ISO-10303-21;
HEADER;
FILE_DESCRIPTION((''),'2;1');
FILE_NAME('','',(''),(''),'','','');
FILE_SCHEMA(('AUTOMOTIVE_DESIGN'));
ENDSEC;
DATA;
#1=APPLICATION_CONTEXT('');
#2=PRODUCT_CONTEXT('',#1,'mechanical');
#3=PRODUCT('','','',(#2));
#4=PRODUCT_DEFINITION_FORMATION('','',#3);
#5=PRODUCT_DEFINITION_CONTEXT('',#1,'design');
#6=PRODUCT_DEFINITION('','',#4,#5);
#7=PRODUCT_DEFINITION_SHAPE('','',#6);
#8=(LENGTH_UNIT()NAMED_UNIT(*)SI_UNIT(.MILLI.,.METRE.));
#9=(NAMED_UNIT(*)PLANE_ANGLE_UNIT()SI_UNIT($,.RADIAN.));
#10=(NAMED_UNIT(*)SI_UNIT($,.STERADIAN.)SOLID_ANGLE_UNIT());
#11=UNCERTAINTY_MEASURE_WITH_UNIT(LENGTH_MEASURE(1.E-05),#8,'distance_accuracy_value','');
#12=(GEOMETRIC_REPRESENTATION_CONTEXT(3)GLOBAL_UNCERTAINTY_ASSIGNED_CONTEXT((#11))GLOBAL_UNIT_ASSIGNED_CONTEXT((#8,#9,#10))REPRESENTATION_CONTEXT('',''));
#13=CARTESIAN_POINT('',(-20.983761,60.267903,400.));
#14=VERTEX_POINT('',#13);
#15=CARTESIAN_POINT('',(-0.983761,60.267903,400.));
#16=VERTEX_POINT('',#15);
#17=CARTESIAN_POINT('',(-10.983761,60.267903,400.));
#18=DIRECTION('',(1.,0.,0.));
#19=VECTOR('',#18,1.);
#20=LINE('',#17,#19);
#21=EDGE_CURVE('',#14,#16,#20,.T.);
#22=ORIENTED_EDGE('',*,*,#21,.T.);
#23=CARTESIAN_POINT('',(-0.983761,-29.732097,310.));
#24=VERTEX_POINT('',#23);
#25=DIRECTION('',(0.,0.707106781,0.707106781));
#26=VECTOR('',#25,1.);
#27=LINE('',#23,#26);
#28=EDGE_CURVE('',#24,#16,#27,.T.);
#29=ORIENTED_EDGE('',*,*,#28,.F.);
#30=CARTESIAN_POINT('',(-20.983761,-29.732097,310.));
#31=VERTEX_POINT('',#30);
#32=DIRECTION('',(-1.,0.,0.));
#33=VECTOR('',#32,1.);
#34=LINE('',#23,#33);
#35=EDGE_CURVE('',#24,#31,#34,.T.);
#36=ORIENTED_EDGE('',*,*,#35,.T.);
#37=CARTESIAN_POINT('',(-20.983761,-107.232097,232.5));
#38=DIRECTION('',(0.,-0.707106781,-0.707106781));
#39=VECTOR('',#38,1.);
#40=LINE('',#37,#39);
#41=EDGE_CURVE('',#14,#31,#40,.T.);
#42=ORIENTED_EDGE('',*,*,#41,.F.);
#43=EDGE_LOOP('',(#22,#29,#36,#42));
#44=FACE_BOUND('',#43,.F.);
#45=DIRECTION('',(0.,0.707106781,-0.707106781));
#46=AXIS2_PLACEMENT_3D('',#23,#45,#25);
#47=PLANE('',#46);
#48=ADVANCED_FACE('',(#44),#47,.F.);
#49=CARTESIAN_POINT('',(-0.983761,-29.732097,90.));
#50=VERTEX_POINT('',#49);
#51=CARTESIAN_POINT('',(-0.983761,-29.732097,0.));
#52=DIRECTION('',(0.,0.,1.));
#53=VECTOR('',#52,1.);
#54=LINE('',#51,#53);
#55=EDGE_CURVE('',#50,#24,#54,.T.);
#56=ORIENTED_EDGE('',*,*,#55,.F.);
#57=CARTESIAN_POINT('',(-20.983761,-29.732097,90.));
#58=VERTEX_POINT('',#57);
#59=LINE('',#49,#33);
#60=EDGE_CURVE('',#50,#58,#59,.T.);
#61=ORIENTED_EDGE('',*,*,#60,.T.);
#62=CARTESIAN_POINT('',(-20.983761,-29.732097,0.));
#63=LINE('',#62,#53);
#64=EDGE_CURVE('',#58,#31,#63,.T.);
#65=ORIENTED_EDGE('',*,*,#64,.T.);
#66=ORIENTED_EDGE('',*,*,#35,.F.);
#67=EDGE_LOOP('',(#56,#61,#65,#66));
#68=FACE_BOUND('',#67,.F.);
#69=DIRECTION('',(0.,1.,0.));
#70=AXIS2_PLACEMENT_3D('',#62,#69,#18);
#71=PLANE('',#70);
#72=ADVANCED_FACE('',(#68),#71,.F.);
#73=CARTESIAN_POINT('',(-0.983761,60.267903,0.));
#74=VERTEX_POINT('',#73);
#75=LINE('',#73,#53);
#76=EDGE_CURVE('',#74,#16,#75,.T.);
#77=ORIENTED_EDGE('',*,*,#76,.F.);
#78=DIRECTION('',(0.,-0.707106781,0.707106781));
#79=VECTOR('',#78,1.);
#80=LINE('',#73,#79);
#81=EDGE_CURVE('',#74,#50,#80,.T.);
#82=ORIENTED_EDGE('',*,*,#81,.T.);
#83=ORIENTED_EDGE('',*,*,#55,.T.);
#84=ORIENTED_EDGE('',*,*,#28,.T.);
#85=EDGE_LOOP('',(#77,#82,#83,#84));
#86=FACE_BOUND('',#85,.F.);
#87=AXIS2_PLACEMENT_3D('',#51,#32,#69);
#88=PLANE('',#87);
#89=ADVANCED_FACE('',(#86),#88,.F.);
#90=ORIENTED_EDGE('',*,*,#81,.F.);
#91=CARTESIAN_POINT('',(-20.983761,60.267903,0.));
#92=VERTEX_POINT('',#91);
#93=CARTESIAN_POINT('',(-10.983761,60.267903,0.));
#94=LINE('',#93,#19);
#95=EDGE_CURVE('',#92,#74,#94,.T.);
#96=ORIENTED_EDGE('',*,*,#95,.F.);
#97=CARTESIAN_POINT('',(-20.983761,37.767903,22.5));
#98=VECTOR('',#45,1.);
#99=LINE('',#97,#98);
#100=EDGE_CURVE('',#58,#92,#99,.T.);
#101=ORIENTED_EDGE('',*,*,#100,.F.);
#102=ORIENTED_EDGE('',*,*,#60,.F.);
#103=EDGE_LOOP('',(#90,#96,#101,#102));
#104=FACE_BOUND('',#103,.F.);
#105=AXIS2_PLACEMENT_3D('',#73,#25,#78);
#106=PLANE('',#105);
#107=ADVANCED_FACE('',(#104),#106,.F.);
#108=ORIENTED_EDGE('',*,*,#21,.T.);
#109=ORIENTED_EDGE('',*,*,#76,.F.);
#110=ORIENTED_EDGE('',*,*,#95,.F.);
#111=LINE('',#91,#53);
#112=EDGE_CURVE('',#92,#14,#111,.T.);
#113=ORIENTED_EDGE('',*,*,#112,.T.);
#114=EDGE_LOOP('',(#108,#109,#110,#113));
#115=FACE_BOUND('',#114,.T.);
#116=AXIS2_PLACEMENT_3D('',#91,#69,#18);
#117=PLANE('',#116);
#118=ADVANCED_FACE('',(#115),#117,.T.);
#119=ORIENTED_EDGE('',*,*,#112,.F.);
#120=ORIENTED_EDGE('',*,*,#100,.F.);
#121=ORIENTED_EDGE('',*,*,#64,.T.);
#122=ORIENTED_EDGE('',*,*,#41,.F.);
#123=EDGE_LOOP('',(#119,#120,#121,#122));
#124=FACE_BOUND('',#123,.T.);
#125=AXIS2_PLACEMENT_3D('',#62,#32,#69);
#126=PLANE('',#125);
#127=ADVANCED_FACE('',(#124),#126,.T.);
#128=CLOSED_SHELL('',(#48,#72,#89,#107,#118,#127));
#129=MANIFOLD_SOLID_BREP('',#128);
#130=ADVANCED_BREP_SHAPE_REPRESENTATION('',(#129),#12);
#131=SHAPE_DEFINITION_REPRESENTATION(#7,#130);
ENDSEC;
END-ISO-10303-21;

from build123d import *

# Parameters (mm, degrees)
F0_W     = 20
F0_H     = 90
F1_DEPTH = 400
F3_DEPTH = 20.001


with BuildPart() as f1:
    # F0 (on Top) → F1 (new body)
    with BuildSketch(Plane.XY):
        with Locations((-10.983761, 15.267903)):
            Rectangle(F0_W, F0_H)
    extrude(amount=F1_DEPTH)

    # F2 (on face) → F3 (cut, through all)
    with BuildSketch(Plane.YZ.offset(-0.983761)):
        Polygon((60.267903, 0), (-29.732097, 90), (-29.732097, 0), align=None)
        Polygon((-29.732097, 310), (60.267903, 400), (-29.732097, 400), align=None)
    extrude(amount=-F3_DEPTH, mode=Mode.SUBTRACT)


solid = f1.part
